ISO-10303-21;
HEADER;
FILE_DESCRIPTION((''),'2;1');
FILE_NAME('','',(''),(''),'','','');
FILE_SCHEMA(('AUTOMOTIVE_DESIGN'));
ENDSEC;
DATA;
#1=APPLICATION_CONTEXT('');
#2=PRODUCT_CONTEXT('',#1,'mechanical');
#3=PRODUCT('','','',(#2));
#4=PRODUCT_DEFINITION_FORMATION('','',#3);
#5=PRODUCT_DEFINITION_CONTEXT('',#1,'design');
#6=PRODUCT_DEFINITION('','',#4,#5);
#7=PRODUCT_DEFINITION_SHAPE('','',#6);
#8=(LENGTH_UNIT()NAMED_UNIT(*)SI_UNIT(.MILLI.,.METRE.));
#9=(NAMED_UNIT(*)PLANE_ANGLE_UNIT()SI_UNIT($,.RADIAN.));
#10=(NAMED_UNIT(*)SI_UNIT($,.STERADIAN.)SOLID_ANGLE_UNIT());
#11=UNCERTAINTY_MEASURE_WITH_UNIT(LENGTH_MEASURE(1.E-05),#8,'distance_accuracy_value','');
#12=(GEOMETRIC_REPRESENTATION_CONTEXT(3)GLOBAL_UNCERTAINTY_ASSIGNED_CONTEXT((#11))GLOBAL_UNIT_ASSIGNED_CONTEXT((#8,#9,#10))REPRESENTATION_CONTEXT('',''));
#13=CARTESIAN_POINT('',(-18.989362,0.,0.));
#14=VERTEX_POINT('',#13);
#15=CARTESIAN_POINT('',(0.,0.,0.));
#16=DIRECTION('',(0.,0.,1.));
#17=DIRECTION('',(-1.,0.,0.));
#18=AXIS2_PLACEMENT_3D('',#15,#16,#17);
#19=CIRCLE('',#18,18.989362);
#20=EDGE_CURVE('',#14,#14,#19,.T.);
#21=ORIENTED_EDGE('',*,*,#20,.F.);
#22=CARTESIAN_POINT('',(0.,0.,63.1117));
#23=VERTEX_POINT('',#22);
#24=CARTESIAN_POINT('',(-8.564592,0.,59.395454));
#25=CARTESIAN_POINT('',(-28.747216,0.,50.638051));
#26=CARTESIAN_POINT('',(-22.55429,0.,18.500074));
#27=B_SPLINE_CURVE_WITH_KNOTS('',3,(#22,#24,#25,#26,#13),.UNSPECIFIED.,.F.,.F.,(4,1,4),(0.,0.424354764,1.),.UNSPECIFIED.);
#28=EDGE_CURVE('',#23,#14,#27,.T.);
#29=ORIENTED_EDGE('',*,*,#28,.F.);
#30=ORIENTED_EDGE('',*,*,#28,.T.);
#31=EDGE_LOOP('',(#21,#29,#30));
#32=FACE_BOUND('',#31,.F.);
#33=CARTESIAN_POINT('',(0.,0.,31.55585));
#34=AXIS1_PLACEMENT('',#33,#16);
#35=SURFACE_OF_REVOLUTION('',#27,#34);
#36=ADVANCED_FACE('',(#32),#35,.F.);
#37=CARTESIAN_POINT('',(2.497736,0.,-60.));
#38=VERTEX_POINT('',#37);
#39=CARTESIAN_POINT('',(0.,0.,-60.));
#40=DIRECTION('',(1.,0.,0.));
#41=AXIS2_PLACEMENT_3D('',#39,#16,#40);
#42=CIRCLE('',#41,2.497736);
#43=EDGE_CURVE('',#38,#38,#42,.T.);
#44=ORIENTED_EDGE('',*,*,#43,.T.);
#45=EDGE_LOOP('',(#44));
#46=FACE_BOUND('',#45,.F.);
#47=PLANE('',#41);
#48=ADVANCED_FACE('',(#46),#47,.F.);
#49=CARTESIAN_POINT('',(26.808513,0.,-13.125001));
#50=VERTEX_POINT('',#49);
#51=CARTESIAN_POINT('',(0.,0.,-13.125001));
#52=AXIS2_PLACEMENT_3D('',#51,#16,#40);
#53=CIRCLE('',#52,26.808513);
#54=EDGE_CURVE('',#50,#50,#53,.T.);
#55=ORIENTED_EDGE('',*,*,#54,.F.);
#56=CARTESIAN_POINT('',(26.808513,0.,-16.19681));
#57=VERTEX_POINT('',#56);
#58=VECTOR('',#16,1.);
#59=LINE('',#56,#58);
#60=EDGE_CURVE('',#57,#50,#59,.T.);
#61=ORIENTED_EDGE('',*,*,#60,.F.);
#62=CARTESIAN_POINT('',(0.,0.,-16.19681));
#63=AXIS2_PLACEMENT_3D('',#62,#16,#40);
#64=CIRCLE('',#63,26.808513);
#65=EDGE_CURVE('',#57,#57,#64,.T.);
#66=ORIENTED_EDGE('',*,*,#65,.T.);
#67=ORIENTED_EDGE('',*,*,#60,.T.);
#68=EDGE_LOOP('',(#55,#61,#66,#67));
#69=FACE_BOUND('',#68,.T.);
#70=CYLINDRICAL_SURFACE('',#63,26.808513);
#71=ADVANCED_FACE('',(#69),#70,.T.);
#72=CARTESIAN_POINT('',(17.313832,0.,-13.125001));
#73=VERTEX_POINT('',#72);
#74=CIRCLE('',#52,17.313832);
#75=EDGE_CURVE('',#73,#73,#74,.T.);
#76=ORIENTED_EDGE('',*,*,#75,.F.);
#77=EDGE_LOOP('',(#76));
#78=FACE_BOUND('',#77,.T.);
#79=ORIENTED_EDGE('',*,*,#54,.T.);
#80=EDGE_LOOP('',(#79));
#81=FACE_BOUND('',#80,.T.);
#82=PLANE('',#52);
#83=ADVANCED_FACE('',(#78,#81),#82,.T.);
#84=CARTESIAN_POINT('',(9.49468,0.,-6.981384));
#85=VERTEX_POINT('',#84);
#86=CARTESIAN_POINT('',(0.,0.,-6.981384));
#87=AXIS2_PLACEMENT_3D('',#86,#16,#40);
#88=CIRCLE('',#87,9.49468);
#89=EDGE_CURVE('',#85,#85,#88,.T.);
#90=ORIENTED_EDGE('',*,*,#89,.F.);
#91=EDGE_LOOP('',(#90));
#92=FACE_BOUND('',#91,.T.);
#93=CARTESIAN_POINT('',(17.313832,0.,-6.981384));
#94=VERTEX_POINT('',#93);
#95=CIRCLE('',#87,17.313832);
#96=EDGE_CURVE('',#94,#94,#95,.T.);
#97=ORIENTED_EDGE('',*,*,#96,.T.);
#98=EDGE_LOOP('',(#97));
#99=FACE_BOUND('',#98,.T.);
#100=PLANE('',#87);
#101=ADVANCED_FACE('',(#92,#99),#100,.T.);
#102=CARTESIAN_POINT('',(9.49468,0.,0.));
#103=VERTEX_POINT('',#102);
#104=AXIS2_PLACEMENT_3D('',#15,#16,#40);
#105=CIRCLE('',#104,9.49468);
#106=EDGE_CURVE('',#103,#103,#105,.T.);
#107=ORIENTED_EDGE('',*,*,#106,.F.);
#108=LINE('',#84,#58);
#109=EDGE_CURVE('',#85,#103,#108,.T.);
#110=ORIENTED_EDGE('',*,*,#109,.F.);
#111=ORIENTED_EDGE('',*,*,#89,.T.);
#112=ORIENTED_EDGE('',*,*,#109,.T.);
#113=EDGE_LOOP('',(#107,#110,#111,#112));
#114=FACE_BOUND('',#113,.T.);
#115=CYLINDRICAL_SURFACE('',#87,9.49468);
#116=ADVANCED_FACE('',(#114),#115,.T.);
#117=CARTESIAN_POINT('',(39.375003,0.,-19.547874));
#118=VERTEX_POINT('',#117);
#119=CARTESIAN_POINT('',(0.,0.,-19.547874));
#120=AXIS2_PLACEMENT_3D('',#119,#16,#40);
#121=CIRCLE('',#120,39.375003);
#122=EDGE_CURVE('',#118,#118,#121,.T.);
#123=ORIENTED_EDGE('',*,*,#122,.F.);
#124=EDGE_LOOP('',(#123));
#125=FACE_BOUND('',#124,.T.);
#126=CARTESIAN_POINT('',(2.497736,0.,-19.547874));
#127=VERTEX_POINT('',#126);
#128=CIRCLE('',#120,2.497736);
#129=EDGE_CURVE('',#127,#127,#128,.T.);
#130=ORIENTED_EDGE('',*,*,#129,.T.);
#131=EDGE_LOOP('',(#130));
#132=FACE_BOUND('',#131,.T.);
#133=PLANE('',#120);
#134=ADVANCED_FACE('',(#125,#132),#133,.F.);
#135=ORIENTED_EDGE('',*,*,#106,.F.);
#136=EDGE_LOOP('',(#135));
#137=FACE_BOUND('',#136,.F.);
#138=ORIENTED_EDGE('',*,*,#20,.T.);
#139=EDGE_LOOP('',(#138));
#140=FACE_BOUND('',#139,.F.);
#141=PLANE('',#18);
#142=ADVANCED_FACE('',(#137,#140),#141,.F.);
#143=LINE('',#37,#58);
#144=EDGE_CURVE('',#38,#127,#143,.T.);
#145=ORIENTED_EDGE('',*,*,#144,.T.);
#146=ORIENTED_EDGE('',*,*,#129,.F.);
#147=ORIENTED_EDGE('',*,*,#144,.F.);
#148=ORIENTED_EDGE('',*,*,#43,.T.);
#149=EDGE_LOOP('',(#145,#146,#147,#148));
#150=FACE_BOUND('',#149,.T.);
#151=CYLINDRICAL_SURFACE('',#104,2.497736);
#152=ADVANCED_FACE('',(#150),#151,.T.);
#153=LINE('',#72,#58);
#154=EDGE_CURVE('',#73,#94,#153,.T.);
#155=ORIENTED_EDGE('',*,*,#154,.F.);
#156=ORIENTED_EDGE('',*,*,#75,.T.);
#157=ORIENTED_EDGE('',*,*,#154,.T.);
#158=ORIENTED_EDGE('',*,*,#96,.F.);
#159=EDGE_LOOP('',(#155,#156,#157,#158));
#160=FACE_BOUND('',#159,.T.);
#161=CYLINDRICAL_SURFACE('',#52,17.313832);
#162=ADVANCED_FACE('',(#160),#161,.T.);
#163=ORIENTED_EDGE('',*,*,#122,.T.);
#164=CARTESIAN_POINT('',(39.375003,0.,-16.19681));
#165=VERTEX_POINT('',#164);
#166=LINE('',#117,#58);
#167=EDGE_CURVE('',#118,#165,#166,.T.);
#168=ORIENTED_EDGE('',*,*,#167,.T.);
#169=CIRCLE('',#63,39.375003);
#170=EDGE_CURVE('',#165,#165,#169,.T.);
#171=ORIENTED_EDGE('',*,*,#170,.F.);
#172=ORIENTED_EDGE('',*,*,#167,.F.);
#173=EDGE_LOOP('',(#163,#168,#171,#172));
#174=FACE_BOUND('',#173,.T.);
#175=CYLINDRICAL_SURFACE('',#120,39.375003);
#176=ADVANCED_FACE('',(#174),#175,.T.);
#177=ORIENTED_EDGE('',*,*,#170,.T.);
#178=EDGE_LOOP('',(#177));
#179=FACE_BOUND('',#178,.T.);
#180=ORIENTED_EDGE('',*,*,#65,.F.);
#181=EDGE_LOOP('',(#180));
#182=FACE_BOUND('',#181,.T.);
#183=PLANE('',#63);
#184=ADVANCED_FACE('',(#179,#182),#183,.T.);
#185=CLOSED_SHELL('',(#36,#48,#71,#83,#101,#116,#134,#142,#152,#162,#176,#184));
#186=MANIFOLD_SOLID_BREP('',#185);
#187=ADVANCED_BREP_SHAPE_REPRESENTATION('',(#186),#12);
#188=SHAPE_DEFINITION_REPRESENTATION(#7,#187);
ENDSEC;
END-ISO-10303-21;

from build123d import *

# Parameters (mm, degrees)
F0_R     = 2.4977360004
F1_DEPTH = 60


with BuildPart() as f1:
    # F0 (on Top) → F1 (new body, symmetric)
    with BuildSketch(Plane.XY):
        Circle(F0_R)
    extrude(amount=F1_DEPTH, both=True)

    # F2 (on Front) → F3 (revolve)
    with BuildSketch(Plane.XZ):
        with BuildLine():
            Line((0, 0), (0, 63.1117001176))
            add(Edge.make_bspline(
                [(0, 63.1117001176), (-8.564592389, 59.3954542786), (-28.7472157674, 50.6380509202), (-22.5542900222, 18.5000735529), (-18.9893618226, 0)],
                knots=[0, 0, 0, 0, 0.4243547644, 1, 1, 1, 1], degree=3))
            Line((-18.9893618226, 0), (0, 0))
        make_face()
    revolve(axis=Axis((0, 0, 31.5558500588), (0, 0, 1)))

    # F4 (on Front) → F5 (revolve)
    with BuildSketch(Plane.XZ):
        Polygon((9.49467998, 0), (0, 0), (0, -19.547874108), (39.3750034273, -19.547874108), (39.3750034273, -16.1968097091), (26.8085133284, -16.1968097091), (26.8085133284, -13.1250005215), (17.3138324171, -13.1250005215), (17.3138324171, -6.9813835435), (9.49467998, -6.9813835435), align=None)
    revolve(axis=Axis((0, 0, -9.773937054), (0, 0, 1)))


solid = f1.part
